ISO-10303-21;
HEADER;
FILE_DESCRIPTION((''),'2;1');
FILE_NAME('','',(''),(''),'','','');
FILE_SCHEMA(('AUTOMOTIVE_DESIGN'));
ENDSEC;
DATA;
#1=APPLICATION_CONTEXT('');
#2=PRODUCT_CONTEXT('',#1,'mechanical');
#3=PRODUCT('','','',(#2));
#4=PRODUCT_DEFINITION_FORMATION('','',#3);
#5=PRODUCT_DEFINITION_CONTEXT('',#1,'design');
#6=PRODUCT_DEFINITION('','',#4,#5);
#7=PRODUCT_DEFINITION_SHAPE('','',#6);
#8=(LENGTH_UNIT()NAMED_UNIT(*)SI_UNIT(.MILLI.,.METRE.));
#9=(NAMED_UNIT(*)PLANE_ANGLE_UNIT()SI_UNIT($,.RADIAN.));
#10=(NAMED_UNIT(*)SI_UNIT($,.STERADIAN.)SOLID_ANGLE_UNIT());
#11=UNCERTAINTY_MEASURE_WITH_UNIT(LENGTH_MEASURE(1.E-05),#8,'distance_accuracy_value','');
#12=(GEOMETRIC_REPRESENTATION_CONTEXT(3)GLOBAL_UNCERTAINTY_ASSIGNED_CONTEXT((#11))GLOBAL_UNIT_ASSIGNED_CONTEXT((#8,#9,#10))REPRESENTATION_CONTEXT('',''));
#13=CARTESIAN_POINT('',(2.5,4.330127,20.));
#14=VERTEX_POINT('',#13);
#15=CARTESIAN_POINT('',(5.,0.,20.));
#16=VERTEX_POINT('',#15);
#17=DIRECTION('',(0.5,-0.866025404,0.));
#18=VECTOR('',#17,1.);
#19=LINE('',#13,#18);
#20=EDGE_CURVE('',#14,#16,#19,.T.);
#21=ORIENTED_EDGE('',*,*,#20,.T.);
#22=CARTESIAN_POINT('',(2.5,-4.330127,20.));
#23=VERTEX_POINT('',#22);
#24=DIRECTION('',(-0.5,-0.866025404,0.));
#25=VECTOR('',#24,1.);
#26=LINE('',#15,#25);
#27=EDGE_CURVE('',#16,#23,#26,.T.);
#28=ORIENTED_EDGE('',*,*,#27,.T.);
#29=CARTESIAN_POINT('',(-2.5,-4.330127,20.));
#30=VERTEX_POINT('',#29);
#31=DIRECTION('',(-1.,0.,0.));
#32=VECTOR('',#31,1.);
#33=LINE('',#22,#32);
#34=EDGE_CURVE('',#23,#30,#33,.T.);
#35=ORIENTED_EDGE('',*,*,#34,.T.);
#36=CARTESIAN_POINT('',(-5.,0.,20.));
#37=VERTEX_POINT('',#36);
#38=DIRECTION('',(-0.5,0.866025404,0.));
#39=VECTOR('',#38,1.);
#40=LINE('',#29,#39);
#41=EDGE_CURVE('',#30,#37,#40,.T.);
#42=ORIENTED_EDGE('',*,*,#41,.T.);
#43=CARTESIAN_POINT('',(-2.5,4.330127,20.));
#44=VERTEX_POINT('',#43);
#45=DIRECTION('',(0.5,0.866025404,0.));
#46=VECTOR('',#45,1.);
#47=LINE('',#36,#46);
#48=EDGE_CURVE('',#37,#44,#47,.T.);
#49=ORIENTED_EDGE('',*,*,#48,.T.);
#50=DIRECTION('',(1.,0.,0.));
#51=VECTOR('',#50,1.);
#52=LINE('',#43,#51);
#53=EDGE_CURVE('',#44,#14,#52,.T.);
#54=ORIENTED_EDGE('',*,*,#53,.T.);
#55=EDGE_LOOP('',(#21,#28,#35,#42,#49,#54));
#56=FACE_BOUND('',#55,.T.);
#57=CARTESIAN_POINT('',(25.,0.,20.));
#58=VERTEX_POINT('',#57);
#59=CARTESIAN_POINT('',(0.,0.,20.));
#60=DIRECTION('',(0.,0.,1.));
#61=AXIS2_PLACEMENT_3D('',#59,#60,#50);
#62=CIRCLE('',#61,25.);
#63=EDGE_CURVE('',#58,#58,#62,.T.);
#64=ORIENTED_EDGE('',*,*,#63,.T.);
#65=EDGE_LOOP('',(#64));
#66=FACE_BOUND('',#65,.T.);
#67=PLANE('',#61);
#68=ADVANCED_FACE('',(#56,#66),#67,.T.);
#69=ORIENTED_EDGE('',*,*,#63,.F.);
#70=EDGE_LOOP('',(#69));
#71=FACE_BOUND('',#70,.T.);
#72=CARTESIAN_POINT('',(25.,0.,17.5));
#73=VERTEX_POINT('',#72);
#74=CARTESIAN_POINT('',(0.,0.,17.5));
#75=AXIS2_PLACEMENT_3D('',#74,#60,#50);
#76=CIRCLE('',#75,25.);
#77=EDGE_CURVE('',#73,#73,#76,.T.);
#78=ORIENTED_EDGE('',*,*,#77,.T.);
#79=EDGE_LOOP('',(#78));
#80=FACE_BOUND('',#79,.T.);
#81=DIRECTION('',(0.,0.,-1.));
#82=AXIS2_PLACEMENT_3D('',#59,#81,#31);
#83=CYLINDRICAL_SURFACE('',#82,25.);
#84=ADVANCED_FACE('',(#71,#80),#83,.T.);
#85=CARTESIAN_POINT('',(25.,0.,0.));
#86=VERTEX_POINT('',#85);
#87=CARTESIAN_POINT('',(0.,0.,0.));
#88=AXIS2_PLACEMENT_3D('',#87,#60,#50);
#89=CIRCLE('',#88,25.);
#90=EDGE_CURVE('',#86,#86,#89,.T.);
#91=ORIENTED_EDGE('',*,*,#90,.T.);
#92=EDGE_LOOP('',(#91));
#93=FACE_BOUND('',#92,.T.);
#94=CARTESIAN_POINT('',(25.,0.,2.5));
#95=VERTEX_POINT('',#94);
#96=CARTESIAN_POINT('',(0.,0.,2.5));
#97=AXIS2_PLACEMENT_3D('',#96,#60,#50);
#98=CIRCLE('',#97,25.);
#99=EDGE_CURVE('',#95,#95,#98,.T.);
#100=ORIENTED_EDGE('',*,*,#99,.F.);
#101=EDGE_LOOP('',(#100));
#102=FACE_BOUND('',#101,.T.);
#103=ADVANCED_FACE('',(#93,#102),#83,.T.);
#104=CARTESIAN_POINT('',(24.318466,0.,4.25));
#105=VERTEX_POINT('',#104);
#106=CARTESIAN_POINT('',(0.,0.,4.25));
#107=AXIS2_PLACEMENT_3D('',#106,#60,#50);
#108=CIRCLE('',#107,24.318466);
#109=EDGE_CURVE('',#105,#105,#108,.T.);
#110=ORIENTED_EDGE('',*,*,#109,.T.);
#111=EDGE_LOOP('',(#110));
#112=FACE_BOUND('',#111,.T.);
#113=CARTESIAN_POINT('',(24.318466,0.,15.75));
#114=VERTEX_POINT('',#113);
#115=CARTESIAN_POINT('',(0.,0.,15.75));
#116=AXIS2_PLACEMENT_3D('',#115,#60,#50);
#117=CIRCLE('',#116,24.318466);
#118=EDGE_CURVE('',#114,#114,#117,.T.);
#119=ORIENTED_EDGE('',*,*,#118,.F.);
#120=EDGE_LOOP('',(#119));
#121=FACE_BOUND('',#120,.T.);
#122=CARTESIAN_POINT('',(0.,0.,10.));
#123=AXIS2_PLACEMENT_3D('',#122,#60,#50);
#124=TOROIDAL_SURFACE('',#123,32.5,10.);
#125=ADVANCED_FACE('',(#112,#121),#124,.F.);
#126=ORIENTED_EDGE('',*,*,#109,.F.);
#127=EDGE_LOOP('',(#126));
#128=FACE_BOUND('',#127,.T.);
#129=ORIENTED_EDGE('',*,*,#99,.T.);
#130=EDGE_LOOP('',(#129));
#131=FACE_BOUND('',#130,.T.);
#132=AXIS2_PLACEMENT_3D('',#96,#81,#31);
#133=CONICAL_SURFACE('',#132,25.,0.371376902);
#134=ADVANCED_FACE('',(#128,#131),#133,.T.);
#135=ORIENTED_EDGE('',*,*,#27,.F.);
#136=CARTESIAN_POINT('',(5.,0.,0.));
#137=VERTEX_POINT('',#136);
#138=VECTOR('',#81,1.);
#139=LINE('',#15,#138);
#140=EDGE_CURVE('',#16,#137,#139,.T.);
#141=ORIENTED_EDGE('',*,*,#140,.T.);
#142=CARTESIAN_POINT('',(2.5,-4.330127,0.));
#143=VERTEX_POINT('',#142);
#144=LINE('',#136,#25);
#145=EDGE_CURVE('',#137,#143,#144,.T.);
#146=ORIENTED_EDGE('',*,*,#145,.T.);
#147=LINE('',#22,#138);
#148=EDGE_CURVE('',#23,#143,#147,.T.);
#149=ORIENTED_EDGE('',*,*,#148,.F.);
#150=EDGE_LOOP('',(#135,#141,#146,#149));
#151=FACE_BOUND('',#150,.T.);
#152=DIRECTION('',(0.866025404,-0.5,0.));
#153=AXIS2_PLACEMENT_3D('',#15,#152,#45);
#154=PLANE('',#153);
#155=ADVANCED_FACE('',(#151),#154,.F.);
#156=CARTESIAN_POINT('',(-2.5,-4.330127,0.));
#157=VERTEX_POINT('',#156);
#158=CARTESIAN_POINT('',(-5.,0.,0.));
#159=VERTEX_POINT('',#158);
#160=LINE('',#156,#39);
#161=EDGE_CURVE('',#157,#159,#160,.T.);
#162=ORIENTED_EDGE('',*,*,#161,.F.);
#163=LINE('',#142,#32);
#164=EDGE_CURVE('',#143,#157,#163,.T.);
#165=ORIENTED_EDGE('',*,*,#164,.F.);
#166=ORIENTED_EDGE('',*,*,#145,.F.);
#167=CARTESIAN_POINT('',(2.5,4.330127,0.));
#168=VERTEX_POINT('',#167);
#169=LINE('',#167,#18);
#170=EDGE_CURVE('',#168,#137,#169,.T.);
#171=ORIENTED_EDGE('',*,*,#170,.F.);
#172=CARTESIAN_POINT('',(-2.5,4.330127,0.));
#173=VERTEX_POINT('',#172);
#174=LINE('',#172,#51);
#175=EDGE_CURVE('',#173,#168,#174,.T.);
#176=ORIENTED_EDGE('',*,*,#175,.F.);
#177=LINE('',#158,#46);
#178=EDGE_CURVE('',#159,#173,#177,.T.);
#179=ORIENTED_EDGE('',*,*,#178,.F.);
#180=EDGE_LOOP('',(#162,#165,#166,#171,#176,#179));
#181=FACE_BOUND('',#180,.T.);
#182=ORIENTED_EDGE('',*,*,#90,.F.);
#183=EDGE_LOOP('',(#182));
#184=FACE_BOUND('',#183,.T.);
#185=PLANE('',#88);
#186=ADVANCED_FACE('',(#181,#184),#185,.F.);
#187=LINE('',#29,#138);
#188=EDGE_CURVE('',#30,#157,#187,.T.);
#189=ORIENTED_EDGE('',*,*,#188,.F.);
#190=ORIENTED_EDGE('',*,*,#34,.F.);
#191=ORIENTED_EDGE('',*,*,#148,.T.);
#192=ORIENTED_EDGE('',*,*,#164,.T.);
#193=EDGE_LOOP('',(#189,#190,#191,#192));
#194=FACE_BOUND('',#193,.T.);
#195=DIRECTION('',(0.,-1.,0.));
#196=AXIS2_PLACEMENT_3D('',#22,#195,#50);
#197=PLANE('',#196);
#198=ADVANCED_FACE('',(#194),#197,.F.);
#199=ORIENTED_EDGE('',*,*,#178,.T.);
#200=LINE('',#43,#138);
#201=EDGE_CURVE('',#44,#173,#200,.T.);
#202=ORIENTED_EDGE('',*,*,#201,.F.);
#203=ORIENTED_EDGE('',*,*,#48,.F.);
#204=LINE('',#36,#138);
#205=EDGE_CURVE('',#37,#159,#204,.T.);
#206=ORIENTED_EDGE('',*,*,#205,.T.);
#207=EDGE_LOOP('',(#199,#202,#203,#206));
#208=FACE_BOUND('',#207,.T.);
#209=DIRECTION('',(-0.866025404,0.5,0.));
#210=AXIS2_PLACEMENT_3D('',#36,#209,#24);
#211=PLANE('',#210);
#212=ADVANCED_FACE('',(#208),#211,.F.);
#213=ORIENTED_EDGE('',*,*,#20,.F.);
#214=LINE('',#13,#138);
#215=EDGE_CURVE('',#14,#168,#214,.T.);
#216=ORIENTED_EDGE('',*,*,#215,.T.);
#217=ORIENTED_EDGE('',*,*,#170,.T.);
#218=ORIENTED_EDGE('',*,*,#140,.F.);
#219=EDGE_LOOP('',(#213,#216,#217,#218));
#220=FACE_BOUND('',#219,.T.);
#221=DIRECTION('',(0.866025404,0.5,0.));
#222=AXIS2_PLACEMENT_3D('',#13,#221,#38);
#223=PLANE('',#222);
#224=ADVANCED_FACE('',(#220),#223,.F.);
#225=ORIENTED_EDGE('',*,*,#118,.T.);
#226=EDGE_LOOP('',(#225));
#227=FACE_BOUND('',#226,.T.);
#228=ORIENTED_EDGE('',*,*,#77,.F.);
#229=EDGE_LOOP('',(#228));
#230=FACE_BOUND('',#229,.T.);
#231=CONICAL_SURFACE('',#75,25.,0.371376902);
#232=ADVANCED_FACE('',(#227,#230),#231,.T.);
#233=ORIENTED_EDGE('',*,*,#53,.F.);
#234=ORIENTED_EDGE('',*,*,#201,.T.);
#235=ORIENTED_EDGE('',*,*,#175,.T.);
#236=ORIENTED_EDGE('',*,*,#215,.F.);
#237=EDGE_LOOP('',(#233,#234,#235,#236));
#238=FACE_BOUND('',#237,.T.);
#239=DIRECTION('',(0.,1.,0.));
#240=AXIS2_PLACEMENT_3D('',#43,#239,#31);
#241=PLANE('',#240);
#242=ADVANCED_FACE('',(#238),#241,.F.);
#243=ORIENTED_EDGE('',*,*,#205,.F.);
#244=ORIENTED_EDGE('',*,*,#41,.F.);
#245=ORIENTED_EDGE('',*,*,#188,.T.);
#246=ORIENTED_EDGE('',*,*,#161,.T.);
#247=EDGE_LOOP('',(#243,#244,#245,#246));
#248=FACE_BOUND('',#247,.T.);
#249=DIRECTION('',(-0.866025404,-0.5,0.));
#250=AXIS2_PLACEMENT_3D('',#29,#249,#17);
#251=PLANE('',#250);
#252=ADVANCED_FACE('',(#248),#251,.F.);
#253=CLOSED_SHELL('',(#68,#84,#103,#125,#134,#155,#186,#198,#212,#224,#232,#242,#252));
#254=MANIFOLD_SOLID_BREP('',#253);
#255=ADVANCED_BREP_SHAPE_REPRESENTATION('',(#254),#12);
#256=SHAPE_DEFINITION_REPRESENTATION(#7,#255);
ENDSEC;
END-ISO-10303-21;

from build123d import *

# Parameters (mm, degrees)
SKETCH1_R           = 25
BOSS_EXTRUDE1_DEPTH = 20
CUT_EXTRUDE1_DEPTH  = 41.620192023


with BuildPart() as part:
    # Sketch1 → Boss-Extrude1 (new body)
    with BuildSketch(Plane.XY):
        Circle(SKETCH1_R)
    extrude(amount=BOSS_EXTRUDE1_DEPTH)

    # Sketch2 → Cut-Revolve1 (revolve, cut)
    with BuildSketch(Plane(origin=(0, 0, 0), x_dir=(0, 0, -1), z_dir=(1, 0, 0)), mode=Mode.PRIVATE) as cut_revolve1_sk:
        with BuildLine():
            Line((-17.5, 25), (-15.75, 24.318465914))
            ThreePointArc((-15.75, 24.318465914), (-10, 22.5), (-4.25, 24.318465914))
            Line((-4.25, 24.318465914), (-2.5, 25))
            Line((-2.5, 25), (-17.5, 25))
        make_face()
    revolve(cut_revolve1_sk.sketch.rotate(Axis((0, 0, 20), (0, 0, -1)), 90), axis=Axis((0, 0, 20), (0, 0, -1)), mode=Mode.SUBTRACT)

    # Sketch3 → Cut-Extrude1 (cut, through all)
    with BuildSketch(Plane(origin=(0, 0, 0), x_dir=(-1, 0, 0), z_dir=(0, 0, -1))):
        Polygon((5, 0), (2.5, 4.330127019), (-2.5, 4.330127019), (-5, 0), (-2.5, -4.330127019), (2.5, -4.330127019), align=None)
    extrude(amount=-CUT_EXTRUDE1_DEPTH, mode=Mode.SUBTRACT)


solid = part.part
